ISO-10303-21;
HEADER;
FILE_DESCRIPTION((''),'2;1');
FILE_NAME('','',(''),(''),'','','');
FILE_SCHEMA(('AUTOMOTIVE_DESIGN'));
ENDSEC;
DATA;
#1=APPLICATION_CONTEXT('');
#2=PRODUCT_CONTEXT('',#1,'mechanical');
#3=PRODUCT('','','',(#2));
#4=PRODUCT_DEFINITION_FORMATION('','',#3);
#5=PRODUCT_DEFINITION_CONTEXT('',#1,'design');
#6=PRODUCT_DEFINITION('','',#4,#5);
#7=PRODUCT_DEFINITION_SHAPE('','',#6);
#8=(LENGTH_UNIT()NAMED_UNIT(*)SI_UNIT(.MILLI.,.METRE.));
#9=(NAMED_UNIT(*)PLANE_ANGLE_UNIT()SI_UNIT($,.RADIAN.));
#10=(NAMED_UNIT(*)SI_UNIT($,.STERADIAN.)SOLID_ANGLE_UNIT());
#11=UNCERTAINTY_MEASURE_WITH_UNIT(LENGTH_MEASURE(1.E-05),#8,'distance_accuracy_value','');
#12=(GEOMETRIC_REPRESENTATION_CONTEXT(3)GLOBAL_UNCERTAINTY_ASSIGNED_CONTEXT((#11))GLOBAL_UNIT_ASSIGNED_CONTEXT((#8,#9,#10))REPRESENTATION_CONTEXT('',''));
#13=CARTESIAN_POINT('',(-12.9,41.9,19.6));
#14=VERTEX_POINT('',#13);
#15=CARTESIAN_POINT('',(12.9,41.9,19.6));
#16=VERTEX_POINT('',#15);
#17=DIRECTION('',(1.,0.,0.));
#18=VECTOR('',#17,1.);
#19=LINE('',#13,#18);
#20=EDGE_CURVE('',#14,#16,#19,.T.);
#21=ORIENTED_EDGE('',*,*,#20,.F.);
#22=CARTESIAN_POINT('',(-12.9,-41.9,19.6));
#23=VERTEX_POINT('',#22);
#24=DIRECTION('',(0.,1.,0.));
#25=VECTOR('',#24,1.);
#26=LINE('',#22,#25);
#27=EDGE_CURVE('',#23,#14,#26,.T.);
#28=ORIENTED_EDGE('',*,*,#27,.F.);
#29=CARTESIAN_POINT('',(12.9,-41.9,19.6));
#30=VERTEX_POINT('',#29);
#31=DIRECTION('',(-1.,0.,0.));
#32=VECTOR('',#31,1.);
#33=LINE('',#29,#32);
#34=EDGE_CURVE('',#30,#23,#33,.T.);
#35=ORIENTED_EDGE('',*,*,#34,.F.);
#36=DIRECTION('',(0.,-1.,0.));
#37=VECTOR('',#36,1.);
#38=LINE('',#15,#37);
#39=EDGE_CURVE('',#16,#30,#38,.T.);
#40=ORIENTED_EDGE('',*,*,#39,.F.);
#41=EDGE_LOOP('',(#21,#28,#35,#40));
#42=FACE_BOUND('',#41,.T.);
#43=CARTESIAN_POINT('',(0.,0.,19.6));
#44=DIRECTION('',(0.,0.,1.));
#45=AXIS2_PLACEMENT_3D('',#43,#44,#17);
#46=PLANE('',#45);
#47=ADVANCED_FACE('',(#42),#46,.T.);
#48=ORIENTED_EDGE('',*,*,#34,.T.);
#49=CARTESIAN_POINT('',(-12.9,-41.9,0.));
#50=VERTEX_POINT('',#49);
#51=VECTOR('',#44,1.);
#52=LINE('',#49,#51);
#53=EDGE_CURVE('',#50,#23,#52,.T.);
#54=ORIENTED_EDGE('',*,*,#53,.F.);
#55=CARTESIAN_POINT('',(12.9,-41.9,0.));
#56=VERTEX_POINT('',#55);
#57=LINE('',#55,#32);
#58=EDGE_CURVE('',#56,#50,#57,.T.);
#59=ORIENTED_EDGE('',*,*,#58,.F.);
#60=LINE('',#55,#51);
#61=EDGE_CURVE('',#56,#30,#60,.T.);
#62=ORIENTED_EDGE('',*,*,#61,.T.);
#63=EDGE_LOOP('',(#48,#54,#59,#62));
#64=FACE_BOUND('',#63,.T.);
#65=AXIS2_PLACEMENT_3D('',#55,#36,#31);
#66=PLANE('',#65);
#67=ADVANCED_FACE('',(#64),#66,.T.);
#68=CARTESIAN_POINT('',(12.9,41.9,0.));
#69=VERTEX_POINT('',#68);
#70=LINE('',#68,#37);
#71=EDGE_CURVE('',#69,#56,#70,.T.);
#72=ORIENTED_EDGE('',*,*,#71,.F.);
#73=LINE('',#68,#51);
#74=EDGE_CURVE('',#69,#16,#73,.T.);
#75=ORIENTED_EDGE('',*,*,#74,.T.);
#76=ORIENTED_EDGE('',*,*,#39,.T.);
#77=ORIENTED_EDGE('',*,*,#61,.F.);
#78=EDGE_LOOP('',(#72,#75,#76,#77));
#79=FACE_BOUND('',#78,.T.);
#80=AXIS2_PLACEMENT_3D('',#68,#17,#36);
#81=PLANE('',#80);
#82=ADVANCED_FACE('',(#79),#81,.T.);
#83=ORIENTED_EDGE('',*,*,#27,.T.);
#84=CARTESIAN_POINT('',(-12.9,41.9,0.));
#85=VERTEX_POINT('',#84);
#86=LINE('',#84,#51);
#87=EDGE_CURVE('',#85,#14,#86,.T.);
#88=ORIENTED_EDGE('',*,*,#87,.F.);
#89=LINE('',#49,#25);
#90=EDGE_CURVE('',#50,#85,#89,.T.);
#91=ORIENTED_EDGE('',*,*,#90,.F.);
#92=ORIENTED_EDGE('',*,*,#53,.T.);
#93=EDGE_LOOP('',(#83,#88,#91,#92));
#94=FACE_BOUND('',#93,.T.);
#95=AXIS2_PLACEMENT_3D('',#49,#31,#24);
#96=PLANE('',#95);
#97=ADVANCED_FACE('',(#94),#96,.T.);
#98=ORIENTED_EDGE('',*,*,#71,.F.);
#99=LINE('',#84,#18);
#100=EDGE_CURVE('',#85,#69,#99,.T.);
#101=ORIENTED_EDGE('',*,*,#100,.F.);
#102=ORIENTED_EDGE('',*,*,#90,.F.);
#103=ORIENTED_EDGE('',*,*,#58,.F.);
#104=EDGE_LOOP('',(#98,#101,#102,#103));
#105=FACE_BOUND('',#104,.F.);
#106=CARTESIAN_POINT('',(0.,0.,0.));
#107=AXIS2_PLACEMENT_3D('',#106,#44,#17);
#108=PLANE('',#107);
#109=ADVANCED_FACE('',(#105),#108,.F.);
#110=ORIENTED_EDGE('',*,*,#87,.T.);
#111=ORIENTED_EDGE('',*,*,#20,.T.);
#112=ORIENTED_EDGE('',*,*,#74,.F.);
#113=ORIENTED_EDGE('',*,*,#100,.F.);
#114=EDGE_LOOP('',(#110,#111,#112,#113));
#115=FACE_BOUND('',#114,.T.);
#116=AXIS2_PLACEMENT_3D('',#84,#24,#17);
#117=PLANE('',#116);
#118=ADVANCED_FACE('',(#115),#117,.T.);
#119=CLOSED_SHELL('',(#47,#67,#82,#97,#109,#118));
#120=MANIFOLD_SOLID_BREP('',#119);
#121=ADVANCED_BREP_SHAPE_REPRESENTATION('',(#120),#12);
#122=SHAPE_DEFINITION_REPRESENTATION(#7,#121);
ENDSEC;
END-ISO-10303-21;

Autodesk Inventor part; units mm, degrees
ref_plane "YZ Plane" through (0, 0, 0) normal (1, 0, 0) x (0, 1, 0)
ref_plane "XZ Plane" through (0, 0, 0) normal (0, 1, 0) x (-1, 0, 0)
ref_plane "XY Plane" through (0, 0, 0) normal (0, 0, 1) x (1, 0, 0)
sketch "スケッチ1" plane through (0, 0, 0) normal (0, 0, 1) x (1, 0, 0)
  line L0 (-12.9, 41.9) -> (12.9, 41.9)
  line L1 (12.9, 41.9) -> (12.9, -41.9)
  line L2 (12.9, -41.9) -> (-12.9, -41.9)
  line L3 (-12.9, -41.9) -> (-12.9, 41.9)
  point P0 (0, 0)
  point P1 (0, 41.9)
  point P2 (12.9, 0)
  dimension "d0" = 25.8
  dimension "d1" = 83.8
extrude "押し出し1" add sketch "スケッチ1" along normal blind 19.6
properties part number "3sLiPo"
